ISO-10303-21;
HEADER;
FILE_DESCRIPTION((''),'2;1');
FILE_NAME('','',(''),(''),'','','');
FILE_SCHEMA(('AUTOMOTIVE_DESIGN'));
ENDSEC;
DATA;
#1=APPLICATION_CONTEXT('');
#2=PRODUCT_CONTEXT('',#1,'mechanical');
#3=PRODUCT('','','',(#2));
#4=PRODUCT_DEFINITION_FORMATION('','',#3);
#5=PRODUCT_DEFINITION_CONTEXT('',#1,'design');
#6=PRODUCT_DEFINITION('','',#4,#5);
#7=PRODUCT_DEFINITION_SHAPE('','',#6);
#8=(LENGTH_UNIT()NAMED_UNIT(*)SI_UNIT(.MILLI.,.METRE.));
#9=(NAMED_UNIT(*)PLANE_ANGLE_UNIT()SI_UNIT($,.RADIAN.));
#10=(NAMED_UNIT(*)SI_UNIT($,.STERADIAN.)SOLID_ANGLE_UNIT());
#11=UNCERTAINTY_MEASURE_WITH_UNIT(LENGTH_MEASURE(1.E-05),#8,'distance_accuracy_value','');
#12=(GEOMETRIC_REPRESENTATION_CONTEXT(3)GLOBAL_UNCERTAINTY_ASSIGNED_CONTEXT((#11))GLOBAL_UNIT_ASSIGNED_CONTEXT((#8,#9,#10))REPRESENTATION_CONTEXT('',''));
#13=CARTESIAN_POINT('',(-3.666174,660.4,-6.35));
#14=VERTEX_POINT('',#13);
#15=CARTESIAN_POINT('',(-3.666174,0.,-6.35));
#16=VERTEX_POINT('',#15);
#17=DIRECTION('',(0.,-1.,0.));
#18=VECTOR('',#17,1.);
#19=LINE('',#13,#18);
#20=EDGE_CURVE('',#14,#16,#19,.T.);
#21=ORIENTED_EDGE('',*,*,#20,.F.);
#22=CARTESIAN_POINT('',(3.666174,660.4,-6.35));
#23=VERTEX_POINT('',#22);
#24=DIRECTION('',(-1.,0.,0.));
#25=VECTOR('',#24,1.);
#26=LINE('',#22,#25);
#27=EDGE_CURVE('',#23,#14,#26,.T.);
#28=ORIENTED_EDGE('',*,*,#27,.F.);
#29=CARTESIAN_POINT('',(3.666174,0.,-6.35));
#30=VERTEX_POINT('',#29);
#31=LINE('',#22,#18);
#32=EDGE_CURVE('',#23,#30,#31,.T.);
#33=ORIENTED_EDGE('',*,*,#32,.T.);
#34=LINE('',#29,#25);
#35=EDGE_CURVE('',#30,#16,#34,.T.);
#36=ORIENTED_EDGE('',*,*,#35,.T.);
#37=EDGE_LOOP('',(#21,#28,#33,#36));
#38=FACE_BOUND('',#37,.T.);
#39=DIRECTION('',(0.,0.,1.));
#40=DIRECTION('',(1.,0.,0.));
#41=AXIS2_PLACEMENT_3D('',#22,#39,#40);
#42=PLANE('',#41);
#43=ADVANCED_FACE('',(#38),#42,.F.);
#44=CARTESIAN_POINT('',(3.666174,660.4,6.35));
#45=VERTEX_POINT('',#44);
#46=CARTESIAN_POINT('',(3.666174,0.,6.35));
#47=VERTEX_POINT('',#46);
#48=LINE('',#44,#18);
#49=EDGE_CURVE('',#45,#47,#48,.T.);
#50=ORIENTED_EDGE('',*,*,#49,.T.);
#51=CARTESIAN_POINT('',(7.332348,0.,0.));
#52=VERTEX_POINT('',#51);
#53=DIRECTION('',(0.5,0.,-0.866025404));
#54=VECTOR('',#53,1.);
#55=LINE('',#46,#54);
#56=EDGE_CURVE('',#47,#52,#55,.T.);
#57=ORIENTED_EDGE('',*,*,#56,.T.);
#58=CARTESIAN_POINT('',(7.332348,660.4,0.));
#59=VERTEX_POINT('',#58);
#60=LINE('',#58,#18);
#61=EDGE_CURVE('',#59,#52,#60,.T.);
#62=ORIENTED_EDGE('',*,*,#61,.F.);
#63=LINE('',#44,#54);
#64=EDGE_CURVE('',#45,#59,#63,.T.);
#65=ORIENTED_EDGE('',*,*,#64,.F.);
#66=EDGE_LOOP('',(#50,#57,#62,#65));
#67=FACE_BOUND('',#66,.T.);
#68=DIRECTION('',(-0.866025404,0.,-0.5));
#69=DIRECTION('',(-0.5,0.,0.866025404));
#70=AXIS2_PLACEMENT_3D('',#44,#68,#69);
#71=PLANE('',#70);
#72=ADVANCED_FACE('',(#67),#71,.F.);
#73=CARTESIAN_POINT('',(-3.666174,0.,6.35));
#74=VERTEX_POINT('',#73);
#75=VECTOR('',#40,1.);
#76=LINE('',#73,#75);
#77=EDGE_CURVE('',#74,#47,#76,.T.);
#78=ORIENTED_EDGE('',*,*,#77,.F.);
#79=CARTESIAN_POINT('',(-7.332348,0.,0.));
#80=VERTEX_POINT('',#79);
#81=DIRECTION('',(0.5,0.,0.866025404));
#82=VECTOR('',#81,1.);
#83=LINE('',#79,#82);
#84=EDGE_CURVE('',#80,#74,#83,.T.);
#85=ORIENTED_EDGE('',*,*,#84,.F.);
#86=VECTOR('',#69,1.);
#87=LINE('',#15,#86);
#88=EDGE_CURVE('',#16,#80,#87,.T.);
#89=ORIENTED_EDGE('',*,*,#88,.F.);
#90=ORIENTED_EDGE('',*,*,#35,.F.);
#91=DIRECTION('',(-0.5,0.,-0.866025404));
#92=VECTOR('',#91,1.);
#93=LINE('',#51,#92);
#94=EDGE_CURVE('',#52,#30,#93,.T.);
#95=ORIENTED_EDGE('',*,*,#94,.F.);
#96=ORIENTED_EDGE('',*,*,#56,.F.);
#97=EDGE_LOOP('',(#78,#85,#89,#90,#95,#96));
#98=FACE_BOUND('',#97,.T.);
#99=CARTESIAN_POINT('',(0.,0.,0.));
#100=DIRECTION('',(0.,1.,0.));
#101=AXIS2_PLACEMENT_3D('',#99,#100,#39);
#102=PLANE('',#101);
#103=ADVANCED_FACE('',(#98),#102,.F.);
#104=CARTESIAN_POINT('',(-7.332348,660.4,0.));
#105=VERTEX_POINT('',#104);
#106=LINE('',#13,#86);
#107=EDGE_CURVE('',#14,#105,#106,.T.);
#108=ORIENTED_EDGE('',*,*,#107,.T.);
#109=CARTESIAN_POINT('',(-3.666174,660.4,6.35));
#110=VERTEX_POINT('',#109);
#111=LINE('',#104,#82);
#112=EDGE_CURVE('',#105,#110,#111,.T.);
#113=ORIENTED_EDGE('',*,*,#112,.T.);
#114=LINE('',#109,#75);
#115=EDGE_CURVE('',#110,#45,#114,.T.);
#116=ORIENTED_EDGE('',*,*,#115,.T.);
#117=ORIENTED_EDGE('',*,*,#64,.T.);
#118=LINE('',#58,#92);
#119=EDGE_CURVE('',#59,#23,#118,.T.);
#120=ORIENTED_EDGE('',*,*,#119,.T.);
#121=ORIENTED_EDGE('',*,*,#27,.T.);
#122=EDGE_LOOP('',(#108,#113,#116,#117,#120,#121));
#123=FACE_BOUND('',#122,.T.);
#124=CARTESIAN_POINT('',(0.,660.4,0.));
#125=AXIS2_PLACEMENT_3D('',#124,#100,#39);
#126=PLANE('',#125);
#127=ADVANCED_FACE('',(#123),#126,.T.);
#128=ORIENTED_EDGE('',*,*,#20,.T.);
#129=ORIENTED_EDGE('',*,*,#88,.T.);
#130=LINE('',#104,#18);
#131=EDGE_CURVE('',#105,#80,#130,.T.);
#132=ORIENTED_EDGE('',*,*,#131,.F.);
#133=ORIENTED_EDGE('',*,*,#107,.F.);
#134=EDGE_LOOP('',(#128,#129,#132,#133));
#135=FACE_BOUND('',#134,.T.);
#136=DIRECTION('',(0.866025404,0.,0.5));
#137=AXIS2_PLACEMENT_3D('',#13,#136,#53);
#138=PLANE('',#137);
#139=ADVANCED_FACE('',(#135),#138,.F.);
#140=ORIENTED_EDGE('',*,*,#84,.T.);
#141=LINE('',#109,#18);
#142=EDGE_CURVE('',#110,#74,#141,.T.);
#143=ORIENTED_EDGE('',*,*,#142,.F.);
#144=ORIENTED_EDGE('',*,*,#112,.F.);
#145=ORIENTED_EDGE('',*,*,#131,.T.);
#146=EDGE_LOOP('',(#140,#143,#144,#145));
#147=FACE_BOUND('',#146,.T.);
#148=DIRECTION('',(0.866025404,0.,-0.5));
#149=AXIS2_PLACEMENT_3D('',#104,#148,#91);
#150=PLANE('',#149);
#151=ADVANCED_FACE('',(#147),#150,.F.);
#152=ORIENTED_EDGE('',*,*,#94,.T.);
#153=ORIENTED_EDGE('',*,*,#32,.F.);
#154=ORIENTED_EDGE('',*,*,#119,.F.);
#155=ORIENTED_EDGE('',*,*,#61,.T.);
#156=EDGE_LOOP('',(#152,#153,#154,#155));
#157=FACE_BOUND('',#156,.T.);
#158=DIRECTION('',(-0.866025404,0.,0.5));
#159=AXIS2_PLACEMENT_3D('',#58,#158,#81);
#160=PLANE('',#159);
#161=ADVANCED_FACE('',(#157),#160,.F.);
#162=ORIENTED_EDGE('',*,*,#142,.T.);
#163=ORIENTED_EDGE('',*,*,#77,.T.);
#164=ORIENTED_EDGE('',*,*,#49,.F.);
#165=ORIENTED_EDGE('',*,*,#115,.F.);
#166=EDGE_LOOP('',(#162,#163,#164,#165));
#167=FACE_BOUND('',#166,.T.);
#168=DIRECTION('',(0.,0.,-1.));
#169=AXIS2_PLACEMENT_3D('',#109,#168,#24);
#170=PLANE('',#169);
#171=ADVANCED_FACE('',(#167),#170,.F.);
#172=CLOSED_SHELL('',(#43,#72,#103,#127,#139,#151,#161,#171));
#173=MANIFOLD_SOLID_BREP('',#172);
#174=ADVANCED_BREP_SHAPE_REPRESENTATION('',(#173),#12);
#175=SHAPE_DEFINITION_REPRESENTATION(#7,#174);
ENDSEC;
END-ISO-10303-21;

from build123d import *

# Parameters (mm, degrees)
BOSS_EXTRUDE1_DEPTH = 660.4


with BuildPart() as part:
    # Sketch1 → Boss-Extrude1 (new body)
    with BuildSketch(Plane(origin=(0, 0, 0), x_dir=(1, 0, 0), z_dir=(0, 1, 0))):
        Polygon((3.666174209, -6.35), (7.332348419, 0), (3.666174209, 6.35), (-3.666174209, 6.35), (-7.332348419, 0), (-3.666174209, -6.35), align=None)
    extrude(amount=BOSS_EXTRUDE1_DEPTH)


solid = part.part
